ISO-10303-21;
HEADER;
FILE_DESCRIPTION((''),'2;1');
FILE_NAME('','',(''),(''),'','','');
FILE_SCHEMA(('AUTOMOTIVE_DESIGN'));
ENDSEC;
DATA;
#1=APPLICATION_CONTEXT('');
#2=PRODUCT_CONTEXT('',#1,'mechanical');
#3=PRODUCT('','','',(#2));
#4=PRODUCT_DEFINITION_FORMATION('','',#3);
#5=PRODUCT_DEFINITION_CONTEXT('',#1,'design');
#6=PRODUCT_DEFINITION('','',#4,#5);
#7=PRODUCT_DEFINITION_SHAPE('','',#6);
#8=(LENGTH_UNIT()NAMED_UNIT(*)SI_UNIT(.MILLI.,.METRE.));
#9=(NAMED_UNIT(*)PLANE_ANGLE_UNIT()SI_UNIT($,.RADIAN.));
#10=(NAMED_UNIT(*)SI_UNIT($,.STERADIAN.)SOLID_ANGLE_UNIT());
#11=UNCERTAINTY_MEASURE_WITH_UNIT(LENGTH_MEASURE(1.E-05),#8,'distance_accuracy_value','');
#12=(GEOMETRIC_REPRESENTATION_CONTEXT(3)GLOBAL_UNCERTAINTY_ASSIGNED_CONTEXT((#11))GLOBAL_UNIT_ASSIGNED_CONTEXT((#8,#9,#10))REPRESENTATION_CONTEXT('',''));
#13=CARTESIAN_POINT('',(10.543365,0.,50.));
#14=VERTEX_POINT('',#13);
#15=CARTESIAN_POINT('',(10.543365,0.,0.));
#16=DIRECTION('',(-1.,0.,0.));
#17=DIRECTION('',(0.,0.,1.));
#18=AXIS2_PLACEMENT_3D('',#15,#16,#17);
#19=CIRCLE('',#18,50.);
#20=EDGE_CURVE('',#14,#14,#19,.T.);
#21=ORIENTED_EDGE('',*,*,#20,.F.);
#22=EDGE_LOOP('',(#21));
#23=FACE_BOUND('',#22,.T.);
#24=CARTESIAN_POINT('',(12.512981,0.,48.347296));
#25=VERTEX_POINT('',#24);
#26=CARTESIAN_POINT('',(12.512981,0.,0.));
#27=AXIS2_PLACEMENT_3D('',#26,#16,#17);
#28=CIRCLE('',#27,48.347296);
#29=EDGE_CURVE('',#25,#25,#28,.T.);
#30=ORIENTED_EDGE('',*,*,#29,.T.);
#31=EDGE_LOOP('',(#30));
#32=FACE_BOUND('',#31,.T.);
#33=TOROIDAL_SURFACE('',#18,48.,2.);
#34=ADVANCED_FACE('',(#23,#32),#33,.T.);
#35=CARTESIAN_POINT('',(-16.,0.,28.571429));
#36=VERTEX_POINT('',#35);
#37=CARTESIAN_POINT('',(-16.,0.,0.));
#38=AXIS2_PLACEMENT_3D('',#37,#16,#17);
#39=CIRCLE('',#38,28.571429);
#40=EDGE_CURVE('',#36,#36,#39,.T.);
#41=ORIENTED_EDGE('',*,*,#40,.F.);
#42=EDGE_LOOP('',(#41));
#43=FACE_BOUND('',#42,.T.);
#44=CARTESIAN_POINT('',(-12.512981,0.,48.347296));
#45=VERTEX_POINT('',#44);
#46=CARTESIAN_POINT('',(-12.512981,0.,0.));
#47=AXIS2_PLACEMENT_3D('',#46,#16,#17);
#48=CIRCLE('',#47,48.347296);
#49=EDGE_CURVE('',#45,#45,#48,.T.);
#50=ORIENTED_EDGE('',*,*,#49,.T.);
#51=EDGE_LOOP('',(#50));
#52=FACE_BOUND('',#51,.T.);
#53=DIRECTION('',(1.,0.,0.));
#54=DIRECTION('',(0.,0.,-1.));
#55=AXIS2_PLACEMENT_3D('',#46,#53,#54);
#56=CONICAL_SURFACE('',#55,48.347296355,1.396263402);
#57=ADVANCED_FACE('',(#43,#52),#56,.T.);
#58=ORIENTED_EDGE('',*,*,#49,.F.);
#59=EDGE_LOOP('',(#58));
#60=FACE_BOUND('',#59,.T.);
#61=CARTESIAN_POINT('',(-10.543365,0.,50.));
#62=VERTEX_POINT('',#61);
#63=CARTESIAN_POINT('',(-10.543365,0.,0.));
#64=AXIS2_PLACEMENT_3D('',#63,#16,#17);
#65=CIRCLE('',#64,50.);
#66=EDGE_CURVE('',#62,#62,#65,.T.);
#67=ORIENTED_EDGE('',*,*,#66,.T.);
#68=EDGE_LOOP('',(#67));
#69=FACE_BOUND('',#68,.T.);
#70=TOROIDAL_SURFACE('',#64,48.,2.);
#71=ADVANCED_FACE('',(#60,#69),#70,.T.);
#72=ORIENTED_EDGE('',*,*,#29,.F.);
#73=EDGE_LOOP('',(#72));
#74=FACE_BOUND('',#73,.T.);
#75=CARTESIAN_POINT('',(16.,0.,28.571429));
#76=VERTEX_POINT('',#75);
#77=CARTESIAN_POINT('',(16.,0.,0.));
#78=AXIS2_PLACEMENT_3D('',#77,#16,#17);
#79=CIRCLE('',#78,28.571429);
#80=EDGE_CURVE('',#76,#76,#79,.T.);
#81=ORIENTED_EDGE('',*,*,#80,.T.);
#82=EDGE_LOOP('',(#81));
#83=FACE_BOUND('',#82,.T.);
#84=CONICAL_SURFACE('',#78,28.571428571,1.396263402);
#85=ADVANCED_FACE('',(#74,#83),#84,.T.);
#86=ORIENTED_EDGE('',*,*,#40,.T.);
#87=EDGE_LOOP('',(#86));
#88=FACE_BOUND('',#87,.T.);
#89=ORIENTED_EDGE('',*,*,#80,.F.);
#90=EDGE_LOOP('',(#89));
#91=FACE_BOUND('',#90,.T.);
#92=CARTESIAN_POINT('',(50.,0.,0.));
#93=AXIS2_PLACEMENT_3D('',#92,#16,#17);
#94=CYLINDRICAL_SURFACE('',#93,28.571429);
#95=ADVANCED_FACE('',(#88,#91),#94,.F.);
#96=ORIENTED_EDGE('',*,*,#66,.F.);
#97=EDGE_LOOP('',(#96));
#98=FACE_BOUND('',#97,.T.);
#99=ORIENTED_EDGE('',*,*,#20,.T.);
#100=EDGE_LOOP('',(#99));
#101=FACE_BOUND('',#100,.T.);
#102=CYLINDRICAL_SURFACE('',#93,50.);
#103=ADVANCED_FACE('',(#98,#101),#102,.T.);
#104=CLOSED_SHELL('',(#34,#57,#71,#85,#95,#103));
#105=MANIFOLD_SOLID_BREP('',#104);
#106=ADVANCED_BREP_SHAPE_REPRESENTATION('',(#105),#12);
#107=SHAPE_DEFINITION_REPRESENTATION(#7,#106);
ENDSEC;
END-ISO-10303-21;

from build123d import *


with BuildPart() as part:
    # 草图1 → 旋转1 (revolve)
    with BuildSketch(Plane.XY, mode=Mode.PRIVATE) as revolve_1_sk:
        with BuildLine():
            Line((-16, 28.571428571), (16, 28.571428571))
            Line((16, 28.571428571), (12.512980943, 48.347296355))
            ThreePointArc((12.512980943, 48.347296355), (11.828940656, 49.532088886), (10.543365437, 50))
            Line((10.543365437, 50), (-10.543365437, 50))
            ThreePointArc((-10.543365437, 50), (-11.828940656, 49.532088886), (-12.512980943, 48.347296355))
            Line((-12.512980943, 48.347296355), (-16, 28.571428571))
        make_face()
    revolve(revolve_1_sk.sketch.rotate(Axis((50, 0, 0), (-1, 0, 0)), 270), axis=Axis((50, 0, 0), (-1, 0, 0)))


solid = part.part
